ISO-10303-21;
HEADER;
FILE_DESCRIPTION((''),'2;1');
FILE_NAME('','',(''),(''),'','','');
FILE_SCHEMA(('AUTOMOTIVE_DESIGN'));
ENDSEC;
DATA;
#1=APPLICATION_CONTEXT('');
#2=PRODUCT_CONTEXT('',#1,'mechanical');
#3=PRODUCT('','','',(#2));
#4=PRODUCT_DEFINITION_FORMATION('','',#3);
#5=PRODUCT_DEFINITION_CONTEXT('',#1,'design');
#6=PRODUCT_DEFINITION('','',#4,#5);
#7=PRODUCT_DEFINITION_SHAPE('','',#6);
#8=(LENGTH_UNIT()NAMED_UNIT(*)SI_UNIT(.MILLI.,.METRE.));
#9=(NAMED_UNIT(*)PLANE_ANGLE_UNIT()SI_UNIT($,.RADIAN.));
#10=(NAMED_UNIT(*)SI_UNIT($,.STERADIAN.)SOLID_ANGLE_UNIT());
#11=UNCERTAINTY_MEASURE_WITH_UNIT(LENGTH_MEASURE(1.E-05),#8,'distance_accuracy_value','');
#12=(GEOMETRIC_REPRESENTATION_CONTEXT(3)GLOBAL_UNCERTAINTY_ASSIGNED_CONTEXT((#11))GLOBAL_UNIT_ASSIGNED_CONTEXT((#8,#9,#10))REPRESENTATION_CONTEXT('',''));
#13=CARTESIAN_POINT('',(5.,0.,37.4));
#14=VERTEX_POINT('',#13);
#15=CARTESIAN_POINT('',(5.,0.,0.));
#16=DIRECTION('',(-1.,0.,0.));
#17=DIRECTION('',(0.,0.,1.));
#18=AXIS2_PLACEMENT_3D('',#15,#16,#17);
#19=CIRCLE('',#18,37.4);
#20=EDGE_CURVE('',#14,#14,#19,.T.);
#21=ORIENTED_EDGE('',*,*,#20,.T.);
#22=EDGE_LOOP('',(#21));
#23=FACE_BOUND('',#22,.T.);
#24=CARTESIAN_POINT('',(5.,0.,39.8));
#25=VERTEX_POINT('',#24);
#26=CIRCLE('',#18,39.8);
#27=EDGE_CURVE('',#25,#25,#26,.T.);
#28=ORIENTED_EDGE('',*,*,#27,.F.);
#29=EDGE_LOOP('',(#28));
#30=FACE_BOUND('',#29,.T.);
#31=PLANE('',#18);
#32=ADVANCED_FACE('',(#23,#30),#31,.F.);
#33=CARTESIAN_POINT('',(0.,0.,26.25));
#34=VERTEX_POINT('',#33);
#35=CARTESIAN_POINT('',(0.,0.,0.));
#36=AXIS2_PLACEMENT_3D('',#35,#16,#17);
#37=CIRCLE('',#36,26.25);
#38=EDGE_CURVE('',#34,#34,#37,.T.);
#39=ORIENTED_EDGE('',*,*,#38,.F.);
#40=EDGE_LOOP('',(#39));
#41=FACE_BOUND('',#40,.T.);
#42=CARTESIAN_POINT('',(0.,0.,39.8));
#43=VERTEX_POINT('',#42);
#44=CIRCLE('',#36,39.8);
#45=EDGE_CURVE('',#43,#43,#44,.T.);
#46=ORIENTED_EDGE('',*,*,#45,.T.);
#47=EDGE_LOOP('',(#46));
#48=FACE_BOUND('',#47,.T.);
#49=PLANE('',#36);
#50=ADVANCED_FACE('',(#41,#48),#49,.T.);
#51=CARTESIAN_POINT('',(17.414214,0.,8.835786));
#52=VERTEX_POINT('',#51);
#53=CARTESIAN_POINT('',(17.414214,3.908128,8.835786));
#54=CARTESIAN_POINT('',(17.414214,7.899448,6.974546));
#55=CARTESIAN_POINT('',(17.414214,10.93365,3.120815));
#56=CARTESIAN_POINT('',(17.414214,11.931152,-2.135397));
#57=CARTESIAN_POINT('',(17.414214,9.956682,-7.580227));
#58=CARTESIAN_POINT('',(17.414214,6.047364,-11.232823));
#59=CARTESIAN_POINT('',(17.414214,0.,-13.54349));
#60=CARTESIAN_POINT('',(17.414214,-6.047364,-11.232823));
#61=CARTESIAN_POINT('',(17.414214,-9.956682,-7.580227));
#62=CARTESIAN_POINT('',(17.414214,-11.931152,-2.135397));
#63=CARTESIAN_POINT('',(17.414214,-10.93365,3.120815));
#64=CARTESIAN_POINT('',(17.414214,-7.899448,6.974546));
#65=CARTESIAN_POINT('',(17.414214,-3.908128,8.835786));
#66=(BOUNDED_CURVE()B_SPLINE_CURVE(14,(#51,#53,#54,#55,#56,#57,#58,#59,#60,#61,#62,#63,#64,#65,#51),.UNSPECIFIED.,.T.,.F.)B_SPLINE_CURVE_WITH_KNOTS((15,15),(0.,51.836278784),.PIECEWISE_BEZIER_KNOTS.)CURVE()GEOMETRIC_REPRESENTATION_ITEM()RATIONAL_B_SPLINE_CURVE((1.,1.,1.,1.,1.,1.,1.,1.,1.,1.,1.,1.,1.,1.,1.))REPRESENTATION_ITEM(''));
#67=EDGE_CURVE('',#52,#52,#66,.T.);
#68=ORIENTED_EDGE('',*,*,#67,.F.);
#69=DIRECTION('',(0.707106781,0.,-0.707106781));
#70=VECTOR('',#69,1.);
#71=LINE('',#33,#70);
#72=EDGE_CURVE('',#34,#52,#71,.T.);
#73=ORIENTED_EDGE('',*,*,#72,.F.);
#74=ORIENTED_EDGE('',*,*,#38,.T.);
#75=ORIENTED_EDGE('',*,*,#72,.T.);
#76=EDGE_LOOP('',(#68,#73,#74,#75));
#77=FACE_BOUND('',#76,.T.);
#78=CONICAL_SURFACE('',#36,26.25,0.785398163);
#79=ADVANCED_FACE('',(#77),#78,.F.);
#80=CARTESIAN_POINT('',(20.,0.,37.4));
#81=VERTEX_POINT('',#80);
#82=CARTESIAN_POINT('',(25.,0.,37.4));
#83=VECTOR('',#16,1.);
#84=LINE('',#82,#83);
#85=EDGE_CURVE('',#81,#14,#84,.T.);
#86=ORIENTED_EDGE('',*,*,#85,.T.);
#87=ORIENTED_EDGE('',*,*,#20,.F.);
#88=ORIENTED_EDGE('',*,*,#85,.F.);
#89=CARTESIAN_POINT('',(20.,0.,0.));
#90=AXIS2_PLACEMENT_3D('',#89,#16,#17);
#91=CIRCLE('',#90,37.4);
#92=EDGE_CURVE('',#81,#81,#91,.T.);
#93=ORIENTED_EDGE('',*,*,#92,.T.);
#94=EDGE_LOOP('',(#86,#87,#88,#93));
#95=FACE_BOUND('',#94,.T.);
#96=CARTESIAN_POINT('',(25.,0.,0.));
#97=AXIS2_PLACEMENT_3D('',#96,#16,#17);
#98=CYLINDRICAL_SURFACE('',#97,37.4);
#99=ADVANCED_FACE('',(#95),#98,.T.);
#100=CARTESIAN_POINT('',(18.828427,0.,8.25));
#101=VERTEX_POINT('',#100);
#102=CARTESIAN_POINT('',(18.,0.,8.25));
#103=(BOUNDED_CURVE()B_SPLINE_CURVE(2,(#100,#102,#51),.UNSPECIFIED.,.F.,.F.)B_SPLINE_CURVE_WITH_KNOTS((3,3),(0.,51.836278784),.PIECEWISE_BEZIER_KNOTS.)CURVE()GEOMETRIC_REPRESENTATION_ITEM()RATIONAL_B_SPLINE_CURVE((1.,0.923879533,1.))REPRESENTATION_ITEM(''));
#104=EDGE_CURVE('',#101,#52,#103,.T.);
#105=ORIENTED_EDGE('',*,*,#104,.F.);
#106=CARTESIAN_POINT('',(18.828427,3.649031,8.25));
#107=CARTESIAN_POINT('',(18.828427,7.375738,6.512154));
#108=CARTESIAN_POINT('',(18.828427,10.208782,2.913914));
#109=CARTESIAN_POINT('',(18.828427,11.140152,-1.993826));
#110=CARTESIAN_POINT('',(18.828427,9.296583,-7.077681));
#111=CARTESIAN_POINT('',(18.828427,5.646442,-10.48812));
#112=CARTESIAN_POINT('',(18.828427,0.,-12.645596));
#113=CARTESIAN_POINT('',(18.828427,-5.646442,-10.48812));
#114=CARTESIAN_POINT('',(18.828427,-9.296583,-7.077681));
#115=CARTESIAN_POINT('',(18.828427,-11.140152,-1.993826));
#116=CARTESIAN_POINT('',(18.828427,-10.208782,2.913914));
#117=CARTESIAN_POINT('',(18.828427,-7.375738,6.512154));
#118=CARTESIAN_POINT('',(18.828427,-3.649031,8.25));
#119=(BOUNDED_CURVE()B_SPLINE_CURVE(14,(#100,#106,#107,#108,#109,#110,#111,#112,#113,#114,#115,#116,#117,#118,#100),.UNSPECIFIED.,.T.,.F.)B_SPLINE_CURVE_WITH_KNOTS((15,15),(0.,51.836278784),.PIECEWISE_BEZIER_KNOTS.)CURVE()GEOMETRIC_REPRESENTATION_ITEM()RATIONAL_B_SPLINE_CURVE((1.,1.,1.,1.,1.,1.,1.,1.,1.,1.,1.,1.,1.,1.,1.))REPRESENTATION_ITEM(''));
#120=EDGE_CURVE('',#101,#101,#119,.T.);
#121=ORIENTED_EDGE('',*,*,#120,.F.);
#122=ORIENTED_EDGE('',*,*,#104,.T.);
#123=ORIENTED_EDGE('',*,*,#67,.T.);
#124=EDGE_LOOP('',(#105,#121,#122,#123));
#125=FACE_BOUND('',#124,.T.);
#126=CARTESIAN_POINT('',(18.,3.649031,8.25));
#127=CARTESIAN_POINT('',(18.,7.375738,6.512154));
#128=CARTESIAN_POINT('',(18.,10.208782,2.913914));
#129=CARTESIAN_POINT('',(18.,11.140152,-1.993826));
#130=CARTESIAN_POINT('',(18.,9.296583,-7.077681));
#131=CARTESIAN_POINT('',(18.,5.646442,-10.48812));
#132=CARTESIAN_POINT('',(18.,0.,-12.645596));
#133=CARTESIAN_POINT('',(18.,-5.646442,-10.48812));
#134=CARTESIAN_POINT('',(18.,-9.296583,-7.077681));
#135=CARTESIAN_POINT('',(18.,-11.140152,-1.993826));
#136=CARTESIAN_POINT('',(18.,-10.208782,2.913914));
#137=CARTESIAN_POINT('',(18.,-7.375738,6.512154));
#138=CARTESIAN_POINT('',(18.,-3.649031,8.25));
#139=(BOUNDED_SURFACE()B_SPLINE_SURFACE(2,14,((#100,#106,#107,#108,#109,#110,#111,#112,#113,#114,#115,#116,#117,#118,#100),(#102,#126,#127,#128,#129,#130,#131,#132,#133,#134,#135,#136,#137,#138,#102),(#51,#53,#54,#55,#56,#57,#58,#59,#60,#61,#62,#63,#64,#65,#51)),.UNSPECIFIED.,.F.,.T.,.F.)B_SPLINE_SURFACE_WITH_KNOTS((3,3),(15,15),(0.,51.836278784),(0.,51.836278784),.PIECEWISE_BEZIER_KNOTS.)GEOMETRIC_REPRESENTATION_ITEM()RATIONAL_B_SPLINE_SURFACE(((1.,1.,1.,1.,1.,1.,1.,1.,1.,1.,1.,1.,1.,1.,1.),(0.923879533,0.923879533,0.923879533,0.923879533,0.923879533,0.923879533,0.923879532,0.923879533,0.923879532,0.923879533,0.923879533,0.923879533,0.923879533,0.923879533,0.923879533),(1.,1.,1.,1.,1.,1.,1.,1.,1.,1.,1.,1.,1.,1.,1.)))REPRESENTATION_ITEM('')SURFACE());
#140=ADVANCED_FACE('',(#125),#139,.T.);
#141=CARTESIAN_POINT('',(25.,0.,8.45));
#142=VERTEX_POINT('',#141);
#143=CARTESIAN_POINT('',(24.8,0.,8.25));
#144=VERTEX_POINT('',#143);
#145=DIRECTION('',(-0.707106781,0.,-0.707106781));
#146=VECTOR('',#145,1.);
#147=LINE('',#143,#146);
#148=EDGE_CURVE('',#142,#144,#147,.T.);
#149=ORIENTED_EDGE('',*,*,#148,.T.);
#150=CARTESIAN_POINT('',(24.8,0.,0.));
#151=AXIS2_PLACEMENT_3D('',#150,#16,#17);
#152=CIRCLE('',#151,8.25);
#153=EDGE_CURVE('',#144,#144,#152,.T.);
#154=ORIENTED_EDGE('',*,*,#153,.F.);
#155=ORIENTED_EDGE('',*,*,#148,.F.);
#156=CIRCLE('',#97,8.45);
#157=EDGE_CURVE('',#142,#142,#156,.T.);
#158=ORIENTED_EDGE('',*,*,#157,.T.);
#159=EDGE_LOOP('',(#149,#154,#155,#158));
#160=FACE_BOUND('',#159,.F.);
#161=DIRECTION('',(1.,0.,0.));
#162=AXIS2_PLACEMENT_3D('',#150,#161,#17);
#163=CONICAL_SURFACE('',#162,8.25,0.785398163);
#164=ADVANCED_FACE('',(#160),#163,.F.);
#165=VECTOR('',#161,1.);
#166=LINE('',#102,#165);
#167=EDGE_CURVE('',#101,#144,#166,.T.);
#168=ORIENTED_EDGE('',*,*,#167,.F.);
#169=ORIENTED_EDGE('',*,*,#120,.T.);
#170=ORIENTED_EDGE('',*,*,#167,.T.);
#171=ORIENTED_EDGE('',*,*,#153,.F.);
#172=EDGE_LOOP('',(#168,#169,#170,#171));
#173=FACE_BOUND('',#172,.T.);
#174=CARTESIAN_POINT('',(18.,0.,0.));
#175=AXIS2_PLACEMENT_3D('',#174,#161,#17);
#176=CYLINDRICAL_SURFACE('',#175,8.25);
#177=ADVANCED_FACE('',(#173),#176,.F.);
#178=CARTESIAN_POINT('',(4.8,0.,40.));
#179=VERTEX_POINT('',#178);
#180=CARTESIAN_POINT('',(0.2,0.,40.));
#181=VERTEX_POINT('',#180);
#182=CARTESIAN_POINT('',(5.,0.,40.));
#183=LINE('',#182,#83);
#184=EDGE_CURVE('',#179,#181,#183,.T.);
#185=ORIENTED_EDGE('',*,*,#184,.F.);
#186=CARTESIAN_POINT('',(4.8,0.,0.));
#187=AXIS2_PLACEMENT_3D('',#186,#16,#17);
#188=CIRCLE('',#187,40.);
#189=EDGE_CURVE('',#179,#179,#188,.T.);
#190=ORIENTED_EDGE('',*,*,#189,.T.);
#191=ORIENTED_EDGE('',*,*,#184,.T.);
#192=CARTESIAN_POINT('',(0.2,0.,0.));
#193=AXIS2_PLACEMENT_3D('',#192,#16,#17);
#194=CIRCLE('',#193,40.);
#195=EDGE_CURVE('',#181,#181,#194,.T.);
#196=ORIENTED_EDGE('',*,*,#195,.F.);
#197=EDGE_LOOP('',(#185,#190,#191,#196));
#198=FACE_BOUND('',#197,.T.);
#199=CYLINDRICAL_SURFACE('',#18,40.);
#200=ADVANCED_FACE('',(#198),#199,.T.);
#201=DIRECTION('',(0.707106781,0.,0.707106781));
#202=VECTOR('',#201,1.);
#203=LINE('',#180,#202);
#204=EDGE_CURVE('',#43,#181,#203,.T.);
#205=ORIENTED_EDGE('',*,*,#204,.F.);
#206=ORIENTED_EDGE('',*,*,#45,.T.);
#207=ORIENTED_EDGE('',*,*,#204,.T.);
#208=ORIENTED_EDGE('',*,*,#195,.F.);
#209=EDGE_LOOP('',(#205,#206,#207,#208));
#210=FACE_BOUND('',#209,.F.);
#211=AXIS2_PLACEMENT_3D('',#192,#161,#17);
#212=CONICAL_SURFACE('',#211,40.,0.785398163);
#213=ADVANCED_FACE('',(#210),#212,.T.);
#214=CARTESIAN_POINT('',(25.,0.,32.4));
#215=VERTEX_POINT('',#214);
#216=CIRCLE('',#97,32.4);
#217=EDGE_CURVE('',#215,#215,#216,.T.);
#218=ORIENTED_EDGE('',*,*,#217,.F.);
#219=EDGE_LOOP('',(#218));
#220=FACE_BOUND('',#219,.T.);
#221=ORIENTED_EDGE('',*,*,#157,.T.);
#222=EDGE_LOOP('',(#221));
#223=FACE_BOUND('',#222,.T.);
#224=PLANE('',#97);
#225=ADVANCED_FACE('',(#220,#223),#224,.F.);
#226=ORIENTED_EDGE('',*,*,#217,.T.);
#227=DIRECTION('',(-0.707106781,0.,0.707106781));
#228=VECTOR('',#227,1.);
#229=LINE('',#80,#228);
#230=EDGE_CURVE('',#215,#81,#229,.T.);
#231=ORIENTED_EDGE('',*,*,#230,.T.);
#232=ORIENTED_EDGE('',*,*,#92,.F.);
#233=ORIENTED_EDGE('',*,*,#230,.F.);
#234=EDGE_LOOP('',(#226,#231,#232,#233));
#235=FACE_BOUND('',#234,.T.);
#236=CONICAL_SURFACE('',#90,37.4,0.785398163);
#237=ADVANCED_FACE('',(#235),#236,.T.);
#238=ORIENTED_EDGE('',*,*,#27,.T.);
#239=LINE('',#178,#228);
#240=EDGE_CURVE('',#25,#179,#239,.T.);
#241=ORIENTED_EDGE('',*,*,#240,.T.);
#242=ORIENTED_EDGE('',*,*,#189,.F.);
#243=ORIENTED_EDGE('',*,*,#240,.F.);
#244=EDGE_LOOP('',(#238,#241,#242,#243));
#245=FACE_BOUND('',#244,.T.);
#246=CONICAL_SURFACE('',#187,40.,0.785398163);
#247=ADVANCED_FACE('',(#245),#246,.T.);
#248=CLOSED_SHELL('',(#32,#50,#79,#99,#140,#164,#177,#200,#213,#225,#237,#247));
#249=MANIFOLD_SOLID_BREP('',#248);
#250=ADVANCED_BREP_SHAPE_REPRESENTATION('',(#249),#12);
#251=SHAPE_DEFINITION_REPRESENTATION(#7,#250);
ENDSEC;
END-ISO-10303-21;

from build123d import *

# Parameters (mm, degrees)
F2_SIZE = 5
F3_SIZE = 0.2
F4_R    = 2


with BuildPart() as f1:
    # F0 (on Front) → F1 (revolve)
    with BuildSketch(Plane.XZ):
        Polygon((0, 40), (0, 26.25), (18, 8.25), (25, 8.25), (25, 37.4), (5, 37.4), (5, 40), align=None)
    revolve(axis=Axis((12.5, 0, 0), (-1, 0, 0)))

    # F2
    f2_edges = [f1.edges().sort_by_distance(p)[0] for p in [
        (25, 0, -37.4),
    ]]
    chamfer(f2_edges, length=F2_SIZE)

    # F3
    f3_edges = [f1.edges().sort_by_distance(p)[0] for p in [
        (25, 0, -8.25),
        (5, 0, -40),
        (0, 0, -40),
    ]]
    chamfer(f3_edges, length=F3_SIZE)

    # F4
    f4_edges = [f1.edges().sort_by_distance(p)[0] for p in [
        (18, 0, -8.25),
    ]]
    fillet(f4_edges, radius=F4_R)


solid = f1.part
